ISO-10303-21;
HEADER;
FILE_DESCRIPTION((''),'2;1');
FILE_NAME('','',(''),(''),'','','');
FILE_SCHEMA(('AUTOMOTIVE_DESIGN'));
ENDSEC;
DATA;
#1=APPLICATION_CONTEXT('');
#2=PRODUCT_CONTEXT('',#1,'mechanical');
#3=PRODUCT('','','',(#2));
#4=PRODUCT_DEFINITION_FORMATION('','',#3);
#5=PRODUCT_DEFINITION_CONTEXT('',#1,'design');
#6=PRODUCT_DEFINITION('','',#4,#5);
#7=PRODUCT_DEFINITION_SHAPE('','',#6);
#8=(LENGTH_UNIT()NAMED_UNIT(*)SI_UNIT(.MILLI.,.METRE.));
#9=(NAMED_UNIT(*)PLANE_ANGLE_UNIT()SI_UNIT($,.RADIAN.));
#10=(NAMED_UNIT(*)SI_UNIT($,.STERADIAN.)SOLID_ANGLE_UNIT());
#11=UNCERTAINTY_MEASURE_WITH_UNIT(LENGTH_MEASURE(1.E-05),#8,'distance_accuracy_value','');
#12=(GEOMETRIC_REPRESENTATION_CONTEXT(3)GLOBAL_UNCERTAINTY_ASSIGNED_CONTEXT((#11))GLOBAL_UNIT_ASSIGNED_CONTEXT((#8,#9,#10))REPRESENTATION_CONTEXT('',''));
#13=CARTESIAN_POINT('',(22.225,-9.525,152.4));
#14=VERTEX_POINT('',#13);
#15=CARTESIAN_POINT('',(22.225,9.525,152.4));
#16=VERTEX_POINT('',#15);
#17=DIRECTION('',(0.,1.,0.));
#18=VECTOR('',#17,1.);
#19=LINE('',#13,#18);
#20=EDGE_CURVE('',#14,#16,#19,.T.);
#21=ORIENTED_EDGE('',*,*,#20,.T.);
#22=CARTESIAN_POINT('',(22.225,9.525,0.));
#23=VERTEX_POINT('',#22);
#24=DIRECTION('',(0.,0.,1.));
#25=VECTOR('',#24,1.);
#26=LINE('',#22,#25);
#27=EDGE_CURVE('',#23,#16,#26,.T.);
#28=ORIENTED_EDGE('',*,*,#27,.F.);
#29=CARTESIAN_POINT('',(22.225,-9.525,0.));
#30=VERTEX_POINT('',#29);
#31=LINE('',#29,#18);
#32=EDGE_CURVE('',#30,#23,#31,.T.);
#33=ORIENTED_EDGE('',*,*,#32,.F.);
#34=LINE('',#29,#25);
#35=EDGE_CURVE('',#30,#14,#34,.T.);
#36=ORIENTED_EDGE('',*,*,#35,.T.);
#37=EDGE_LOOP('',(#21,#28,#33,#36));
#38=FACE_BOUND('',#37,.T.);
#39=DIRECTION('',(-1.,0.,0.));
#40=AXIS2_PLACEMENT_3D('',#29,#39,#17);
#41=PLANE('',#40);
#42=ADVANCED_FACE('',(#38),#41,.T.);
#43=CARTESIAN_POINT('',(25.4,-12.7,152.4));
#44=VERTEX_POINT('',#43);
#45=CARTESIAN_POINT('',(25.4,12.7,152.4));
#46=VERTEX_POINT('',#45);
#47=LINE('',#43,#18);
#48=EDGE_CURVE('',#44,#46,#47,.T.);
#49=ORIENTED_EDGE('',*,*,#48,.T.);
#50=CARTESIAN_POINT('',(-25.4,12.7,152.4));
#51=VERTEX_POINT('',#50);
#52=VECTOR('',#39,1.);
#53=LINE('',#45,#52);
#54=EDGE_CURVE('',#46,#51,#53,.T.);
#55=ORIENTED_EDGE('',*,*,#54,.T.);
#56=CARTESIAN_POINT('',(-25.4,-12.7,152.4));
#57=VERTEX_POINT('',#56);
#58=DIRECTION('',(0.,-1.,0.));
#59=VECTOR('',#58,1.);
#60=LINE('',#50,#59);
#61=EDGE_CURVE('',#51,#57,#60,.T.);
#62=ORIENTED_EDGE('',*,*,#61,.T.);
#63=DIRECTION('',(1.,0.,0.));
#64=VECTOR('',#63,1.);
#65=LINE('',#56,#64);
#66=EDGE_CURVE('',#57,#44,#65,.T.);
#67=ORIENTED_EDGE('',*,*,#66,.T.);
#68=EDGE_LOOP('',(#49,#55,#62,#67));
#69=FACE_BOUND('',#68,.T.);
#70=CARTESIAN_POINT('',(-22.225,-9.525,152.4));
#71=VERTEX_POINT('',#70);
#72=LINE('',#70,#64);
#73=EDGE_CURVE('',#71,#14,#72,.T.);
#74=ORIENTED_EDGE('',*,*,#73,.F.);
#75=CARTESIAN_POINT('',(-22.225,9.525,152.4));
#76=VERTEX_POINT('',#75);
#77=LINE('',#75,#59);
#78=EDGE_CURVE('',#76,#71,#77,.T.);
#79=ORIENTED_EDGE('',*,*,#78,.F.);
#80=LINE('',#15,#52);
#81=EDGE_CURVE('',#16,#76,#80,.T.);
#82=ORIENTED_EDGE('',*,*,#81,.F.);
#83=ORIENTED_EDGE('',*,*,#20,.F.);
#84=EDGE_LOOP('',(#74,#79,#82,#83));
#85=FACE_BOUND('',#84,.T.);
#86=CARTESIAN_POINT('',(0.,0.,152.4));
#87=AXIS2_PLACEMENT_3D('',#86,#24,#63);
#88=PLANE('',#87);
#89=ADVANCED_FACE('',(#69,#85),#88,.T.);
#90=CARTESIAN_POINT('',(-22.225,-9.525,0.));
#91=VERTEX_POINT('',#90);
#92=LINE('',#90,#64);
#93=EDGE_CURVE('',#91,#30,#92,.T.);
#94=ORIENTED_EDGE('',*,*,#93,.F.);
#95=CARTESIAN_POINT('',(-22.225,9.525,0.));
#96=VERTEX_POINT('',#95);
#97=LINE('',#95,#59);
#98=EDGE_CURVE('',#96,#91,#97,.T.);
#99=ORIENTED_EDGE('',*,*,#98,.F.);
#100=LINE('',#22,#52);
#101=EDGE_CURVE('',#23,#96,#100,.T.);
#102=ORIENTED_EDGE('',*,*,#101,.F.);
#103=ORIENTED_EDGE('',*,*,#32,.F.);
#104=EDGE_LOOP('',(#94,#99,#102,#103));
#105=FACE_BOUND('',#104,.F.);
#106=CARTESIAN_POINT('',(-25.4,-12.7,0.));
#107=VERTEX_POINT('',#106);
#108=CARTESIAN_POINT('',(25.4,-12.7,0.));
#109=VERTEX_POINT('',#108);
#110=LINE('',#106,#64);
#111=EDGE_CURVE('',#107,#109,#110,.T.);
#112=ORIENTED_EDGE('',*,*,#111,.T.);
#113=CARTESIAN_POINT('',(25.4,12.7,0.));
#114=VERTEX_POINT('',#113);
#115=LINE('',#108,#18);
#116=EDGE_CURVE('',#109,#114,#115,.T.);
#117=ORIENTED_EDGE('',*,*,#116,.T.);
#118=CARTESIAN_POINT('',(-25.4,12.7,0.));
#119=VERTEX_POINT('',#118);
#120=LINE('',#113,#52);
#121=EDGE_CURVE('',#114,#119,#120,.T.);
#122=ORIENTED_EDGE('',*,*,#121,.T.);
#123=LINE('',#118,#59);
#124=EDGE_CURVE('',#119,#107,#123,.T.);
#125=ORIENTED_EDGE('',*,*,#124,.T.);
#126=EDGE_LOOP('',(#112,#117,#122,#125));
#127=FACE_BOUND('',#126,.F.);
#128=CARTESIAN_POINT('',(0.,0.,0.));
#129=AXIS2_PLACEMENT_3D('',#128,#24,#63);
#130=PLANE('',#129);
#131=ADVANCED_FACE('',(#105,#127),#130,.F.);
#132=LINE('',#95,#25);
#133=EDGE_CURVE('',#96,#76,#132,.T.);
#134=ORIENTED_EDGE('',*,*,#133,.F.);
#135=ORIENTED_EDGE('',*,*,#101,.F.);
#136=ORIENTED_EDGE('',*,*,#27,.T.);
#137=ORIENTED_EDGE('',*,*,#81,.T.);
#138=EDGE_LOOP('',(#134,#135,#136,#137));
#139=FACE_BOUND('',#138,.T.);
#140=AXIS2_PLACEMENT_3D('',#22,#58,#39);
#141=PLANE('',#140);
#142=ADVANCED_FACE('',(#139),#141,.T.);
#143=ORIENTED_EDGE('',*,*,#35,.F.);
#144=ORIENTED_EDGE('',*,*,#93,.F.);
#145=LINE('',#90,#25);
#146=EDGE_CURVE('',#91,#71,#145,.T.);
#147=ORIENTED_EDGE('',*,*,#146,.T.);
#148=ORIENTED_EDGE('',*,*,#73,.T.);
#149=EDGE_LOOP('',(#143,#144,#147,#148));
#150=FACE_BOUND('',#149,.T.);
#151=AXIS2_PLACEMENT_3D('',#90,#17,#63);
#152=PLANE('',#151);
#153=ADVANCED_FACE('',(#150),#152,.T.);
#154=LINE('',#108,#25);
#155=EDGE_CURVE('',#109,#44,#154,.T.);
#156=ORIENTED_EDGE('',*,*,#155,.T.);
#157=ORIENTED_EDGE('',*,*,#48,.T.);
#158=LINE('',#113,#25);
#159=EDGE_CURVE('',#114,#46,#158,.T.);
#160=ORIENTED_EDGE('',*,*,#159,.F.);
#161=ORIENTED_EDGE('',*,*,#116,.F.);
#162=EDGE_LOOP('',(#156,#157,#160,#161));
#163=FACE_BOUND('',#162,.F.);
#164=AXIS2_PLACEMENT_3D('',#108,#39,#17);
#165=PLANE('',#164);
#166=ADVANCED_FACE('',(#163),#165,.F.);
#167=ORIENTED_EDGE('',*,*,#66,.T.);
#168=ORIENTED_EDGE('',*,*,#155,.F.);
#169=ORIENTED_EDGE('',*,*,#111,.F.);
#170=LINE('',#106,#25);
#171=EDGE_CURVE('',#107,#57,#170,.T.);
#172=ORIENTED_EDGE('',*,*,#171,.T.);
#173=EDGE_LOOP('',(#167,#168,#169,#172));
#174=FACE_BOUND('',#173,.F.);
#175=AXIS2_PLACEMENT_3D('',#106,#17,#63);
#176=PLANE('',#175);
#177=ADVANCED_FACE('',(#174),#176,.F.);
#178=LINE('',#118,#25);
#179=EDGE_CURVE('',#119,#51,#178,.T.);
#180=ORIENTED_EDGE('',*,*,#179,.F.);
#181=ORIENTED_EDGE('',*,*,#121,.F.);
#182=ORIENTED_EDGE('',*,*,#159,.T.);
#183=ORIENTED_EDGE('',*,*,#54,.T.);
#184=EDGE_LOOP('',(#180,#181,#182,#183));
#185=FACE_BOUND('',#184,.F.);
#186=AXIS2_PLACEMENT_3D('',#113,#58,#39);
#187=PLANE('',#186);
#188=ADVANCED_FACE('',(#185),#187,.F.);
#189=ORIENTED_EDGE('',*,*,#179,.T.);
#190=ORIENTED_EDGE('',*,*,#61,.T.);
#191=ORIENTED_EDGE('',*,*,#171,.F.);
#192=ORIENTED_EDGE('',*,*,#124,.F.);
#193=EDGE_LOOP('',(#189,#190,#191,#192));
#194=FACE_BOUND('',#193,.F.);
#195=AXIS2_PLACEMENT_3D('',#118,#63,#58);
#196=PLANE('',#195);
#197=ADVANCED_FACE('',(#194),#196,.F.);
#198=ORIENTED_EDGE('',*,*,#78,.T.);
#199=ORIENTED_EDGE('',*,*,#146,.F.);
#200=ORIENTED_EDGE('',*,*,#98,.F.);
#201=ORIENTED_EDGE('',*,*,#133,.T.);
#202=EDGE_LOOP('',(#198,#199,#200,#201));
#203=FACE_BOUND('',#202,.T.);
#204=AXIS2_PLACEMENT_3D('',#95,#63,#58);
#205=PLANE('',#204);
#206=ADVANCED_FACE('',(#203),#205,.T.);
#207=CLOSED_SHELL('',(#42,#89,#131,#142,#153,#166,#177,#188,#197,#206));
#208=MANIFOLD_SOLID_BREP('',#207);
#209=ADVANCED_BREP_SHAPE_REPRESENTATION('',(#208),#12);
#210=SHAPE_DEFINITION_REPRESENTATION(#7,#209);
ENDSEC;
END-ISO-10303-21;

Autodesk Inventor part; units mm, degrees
ref_plane "YZ Plane" through (0, 0, 0) normal (1, 0, 0) x (0, 1, 0)
ref_plane "Start Plane" through (0, 0, 0) normal (0, 0, 1) x (1, 0, 0)
ref_plane "End Plane" through (0, 0, 152.4) normal (0, 0, 1) x (1, 0, 0)
sketch "Sketch" plane through (0, 0, 0) normal (0, 0, 1) x (1, 0, 0)
  line L0 (-25.4, -12.7) -> (25.4, -12.7)
  line L1 (25.4, -12.7) -> (25.4, 12.7)
  line L2 (25.4, 12.7) -> (-25.4, 12.7)
  line L3 (-25.4, 12.7) -> (-25.4, -12.7)
  line L4 (-25.4, -12.7) -> (25.4, 12.7) construction
  line L5 (25.4, -12.7) -> (-25.4, 12.7) construction
  line L6 (-22.225, -9.525) -> (22.225, -9.525)
  line L7 (22.225, -9.525) -> (22.225, 9.525)
  line L8 (22.225, 9.525) -> (-22.225, 9.525)
  line L9 (-22.225, 9.525) -> (-22.225, -9.525)
  line L10 (-22.225, -9.525) -> (22.225, 9.525) construction
  line L11 (22.225, -9.525) -> (-22.225, 9.525) construction
  point P0 (0, 0)
  point P1 (0, 0)
  dimension "d0" = 50.8
  dimension "d1" = 25.4
  dimension "d2" = 3.175
  dimension "d3" = 3.175
extrude "Body" add sketch "Sketch" along normal up to surface (152.4 mm away) from surface at 0
sketch "Sketch4" plane through (0, 0, 0) normal (0, 0, 1) x (1, 0, 0)
  line L0 (0, 0) -> (10, 0)
ref_plane "Work Plane4" through (0, 0, 0) normal (0, -1, 0) x (1, 0, 0)
sketch "Sketch5" plane through (0, 0, 0) normal (0, -1, 0) x (1, 0, 0)
  line L0 (-2, 0) -> (12, 0)
  line L1 (-2, 152.4) -> (12, 152.4)
  dimension "d11" = 152.4
equation "\"G_OFFSET_START\" = 0"
equation "\"G_OFFSET_END\" = 0"
equation "\"d7\" = length + G_OFFSET_END"
equation "\"G_L\" = d11"
equation "\"length\" = 152.4"
properties part number "2x1inTubing"
